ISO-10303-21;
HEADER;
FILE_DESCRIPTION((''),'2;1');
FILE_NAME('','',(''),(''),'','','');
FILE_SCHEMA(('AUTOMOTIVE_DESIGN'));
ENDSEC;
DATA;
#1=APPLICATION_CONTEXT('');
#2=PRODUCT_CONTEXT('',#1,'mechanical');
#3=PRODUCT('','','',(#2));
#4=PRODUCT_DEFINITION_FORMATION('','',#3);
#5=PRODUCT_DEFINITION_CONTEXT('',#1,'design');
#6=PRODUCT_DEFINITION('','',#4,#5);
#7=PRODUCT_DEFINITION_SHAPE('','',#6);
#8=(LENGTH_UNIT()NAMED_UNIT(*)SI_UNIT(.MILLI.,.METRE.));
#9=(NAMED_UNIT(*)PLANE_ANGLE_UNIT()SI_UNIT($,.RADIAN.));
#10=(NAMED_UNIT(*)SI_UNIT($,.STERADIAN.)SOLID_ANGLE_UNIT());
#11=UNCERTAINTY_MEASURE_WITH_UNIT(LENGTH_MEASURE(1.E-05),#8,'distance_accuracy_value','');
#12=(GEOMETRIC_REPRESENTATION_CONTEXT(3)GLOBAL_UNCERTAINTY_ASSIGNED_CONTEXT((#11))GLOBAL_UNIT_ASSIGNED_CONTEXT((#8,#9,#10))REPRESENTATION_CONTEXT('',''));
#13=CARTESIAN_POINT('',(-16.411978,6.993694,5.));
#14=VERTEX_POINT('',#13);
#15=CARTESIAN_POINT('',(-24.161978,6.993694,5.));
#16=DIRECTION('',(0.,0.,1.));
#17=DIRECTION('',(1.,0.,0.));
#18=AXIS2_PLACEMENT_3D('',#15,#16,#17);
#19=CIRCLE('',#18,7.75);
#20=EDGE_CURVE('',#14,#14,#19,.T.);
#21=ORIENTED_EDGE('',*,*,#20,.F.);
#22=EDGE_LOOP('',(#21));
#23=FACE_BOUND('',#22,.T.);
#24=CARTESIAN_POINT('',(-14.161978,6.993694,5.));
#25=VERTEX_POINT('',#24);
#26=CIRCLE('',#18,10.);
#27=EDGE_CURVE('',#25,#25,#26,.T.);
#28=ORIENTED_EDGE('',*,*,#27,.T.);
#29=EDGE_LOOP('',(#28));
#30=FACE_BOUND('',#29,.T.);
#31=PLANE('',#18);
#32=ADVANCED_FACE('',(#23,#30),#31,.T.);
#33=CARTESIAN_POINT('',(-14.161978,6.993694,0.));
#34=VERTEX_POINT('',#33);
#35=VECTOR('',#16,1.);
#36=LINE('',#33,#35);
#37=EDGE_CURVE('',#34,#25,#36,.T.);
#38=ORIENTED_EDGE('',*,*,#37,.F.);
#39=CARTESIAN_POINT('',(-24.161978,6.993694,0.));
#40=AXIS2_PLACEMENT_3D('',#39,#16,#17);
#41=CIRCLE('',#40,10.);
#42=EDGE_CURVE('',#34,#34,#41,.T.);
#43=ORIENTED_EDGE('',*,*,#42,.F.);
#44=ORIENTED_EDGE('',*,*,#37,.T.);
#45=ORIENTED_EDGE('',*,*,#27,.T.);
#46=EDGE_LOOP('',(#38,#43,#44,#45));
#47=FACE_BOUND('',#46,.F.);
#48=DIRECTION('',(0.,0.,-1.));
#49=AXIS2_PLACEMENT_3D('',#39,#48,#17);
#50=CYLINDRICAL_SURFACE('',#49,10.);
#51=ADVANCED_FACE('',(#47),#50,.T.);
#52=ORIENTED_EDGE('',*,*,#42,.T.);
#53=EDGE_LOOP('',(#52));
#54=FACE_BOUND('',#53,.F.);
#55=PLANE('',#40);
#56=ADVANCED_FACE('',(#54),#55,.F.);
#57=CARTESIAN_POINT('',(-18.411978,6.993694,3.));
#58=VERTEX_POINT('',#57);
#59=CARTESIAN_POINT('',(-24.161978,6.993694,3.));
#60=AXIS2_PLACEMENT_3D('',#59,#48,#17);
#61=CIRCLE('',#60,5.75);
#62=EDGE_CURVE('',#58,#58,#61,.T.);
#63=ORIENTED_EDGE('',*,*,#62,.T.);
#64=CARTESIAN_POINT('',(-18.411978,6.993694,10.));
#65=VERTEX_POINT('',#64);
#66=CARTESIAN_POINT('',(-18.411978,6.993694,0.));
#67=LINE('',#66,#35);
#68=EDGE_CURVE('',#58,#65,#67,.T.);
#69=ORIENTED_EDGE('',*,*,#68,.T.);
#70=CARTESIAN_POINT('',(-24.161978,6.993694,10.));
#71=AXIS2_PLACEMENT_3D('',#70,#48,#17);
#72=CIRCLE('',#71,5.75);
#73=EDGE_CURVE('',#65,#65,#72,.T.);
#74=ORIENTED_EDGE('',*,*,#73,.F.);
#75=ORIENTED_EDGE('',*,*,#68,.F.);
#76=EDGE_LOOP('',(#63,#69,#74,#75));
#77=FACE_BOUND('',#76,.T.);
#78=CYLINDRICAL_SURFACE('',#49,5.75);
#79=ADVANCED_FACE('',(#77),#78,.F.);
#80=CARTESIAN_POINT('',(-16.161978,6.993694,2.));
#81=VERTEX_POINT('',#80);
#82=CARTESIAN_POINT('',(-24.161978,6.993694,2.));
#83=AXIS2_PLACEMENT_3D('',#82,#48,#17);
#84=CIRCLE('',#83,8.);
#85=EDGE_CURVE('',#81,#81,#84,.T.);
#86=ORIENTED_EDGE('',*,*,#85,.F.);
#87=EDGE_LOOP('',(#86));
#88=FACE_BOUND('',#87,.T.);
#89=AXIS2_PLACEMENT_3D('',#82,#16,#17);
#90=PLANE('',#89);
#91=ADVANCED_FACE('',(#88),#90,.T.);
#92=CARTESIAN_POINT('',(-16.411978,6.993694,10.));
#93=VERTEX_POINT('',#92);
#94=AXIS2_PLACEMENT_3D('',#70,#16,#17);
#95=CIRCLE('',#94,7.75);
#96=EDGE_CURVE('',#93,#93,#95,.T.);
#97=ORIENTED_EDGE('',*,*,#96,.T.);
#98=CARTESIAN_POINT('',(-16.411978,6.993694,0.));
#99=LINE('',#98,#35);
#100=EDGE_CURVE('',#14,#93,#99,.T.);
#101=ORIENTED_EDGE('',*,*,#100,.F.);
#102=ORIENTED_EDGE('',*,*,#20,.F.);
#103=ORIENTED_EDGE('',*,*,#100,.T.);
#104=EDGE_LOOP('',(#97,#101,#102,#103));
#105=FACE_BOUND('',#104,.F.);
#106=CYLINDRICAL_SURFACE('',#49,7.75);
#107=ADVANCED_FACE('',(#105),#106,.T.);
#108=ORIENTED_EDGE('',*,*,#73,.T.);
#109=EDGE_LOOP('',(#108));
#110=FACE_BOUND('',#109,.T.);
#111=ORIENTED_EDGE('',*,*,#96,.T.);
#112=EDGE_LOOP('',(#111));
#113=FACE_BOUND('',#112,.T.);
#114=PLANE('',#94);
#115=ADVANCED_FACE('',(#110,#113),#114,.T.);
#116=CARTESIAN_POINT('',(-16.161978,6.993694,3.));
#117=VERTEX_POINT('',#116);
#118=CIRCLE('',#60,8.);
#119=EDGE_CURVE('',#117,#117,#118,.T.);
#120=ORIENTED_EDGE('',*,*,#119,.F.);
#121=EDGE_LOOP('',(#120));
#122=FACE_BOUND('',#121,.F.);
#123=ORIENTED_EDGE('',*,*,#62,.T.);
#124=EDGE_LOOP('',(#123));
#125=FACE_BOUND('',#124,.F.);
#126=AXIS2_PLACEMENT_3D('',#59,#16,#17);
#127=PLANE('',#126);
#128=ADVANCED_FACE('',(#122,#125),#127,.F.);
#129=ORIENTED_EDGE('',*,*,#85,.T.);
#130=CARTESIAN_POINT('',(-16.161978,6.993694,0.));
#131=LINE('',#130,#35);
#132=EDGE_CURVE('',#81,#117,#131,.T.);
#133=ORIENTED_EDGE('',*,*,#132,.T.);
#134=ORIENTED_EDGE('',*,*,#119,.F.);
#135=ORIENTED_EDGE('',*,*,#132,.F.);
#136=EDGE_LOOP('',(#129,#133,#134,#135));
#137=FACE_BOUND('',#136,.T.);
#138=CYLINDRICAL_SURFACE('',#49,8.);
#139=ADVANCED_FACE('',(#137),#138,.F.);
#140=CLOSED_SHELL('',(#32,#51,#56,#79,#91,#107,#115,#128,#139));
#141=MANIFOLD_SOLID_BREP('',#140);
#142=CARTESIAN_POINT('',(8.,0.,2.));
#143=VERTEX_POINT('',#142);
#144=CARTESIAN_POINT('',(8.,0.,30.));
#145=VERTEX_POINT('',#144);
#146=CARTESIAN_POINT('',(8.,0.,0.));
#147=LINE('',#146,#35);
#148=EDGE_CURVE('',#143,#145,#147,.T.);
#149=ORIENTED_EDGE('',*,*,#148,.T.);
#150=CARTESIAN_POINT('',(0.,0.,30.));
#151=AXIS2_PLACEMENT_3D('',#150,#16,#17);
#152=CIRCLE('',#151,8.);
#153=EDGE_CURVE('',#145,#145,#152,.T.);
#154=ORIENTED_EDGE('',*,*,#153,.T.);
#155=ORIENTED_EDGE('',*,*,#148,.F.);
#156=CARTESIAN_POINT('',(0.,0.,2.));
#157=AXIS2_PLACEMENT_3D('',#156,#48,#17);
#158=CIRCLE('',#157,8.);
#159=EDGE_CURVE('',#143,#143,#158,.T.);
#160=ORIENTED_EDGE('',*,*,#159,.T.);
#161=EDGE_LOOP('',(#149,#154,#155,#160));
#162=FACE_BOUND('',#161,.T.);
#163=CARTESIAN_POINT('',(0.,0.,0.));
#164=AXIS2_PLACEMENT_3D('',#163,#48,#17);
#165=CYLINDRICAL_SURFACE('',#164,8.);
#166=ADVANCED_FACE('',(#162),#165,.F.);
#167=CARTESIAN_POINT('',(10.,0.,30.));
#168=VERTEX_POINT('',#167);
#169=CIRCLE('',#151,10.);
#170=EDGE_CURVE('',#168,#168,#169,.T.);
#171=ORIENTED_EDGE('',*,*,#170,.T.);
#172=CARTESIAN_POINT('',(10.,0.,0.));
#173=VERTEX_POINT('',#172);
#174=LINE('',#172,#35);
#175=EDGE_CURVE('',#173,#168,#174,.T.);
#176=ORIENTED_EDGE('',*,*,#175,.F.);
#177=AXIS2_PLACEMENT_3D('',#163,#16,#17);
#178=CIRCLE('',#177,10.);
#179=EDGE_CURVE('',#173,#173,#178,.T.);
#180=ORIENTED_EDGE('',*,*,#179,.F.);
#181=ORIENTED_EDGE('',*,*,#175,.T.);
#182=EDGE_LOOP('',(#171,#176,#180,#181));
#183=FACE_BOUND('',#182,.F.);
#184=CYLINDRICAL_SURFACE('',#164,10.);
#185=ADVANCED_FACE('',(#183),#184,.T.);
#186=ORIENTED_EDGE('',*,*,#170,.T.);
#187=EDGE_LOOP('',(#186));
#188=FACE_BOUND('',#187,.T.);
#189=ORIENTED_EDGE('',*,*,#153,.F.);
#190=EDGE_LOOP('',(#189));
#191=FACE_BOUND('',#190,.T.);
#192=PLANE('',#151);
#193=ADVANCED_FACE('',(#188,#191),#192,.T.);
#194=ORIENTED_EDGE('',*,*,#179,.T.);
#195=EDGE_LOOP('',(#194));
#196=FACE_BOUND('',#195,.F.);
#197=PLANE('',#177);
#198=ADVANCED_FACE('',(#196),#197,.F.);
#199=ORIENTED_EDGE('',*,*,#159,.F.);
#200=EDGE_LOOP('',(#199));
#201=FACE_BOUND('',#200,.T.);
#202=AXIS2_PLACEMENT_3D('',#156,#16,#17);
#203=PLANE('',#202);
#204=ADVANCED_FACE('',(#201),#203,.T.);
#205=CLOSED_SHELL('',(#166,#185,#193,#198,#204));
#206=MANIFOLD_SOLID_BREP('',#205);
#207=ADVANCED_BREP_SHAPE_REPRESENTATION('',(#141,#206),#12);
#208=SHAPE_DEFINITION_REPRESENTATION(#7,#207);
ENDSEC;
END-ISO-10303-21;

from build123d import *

# Parameters (mm, degrees)
F0_R     = 10
F1_DEPTH = 30
F2_T     = -2
F3_R     = 7.75
F4_DEPTH = 10
F3_R_2   = 10
F5_DEPTH = 5
F6_T     = -2


with BuildPart() as f1:
    # F0 (on Top) → F1 (new body)
    with BuildSketch(Plane.XY):
        Circle(F0_R)
    extrude(amount=F1_DEPTH)

    # F2
    f2_openings = [f1.faces().sort_by_distance(p)[0] for p in [
        (0, 0, 30),
    ]]
    offset(amount=F2_T, openings=f2_openings)


with BuildPart() as f4:
    # F3 (on Top) → F4 (new body)
    with BuildSketch(Plane.XY):
        with Locations((-24.1619775113, 6.9936937847)):
            Circle(F3_R)
    extrude(amount=F4_DEPTH)

    # F3 (on Top) → F5 (join)
    with BuildSketch(Plane.XY):
        with Locations((-24.1619775113, 6.9936937847)):
            Circle(F3_R_2)
        with Locations((-24.1619775113, 6.9936937847)):
            Circle(F3_R, mode=Mode.SUBTRACT)
    extrude(amount=F5_DEPTH)

    # F6
    f6_openings = [f4.faces().sort_by_distance(p)[0] for p in [
        (-24.161978, 6.993694, 10),
    ]]
    offset(amount=F6_T, openings=f6_openings, kind=Kind.INTERSECTION)


solid = Compound([f1.part, f4.part])
